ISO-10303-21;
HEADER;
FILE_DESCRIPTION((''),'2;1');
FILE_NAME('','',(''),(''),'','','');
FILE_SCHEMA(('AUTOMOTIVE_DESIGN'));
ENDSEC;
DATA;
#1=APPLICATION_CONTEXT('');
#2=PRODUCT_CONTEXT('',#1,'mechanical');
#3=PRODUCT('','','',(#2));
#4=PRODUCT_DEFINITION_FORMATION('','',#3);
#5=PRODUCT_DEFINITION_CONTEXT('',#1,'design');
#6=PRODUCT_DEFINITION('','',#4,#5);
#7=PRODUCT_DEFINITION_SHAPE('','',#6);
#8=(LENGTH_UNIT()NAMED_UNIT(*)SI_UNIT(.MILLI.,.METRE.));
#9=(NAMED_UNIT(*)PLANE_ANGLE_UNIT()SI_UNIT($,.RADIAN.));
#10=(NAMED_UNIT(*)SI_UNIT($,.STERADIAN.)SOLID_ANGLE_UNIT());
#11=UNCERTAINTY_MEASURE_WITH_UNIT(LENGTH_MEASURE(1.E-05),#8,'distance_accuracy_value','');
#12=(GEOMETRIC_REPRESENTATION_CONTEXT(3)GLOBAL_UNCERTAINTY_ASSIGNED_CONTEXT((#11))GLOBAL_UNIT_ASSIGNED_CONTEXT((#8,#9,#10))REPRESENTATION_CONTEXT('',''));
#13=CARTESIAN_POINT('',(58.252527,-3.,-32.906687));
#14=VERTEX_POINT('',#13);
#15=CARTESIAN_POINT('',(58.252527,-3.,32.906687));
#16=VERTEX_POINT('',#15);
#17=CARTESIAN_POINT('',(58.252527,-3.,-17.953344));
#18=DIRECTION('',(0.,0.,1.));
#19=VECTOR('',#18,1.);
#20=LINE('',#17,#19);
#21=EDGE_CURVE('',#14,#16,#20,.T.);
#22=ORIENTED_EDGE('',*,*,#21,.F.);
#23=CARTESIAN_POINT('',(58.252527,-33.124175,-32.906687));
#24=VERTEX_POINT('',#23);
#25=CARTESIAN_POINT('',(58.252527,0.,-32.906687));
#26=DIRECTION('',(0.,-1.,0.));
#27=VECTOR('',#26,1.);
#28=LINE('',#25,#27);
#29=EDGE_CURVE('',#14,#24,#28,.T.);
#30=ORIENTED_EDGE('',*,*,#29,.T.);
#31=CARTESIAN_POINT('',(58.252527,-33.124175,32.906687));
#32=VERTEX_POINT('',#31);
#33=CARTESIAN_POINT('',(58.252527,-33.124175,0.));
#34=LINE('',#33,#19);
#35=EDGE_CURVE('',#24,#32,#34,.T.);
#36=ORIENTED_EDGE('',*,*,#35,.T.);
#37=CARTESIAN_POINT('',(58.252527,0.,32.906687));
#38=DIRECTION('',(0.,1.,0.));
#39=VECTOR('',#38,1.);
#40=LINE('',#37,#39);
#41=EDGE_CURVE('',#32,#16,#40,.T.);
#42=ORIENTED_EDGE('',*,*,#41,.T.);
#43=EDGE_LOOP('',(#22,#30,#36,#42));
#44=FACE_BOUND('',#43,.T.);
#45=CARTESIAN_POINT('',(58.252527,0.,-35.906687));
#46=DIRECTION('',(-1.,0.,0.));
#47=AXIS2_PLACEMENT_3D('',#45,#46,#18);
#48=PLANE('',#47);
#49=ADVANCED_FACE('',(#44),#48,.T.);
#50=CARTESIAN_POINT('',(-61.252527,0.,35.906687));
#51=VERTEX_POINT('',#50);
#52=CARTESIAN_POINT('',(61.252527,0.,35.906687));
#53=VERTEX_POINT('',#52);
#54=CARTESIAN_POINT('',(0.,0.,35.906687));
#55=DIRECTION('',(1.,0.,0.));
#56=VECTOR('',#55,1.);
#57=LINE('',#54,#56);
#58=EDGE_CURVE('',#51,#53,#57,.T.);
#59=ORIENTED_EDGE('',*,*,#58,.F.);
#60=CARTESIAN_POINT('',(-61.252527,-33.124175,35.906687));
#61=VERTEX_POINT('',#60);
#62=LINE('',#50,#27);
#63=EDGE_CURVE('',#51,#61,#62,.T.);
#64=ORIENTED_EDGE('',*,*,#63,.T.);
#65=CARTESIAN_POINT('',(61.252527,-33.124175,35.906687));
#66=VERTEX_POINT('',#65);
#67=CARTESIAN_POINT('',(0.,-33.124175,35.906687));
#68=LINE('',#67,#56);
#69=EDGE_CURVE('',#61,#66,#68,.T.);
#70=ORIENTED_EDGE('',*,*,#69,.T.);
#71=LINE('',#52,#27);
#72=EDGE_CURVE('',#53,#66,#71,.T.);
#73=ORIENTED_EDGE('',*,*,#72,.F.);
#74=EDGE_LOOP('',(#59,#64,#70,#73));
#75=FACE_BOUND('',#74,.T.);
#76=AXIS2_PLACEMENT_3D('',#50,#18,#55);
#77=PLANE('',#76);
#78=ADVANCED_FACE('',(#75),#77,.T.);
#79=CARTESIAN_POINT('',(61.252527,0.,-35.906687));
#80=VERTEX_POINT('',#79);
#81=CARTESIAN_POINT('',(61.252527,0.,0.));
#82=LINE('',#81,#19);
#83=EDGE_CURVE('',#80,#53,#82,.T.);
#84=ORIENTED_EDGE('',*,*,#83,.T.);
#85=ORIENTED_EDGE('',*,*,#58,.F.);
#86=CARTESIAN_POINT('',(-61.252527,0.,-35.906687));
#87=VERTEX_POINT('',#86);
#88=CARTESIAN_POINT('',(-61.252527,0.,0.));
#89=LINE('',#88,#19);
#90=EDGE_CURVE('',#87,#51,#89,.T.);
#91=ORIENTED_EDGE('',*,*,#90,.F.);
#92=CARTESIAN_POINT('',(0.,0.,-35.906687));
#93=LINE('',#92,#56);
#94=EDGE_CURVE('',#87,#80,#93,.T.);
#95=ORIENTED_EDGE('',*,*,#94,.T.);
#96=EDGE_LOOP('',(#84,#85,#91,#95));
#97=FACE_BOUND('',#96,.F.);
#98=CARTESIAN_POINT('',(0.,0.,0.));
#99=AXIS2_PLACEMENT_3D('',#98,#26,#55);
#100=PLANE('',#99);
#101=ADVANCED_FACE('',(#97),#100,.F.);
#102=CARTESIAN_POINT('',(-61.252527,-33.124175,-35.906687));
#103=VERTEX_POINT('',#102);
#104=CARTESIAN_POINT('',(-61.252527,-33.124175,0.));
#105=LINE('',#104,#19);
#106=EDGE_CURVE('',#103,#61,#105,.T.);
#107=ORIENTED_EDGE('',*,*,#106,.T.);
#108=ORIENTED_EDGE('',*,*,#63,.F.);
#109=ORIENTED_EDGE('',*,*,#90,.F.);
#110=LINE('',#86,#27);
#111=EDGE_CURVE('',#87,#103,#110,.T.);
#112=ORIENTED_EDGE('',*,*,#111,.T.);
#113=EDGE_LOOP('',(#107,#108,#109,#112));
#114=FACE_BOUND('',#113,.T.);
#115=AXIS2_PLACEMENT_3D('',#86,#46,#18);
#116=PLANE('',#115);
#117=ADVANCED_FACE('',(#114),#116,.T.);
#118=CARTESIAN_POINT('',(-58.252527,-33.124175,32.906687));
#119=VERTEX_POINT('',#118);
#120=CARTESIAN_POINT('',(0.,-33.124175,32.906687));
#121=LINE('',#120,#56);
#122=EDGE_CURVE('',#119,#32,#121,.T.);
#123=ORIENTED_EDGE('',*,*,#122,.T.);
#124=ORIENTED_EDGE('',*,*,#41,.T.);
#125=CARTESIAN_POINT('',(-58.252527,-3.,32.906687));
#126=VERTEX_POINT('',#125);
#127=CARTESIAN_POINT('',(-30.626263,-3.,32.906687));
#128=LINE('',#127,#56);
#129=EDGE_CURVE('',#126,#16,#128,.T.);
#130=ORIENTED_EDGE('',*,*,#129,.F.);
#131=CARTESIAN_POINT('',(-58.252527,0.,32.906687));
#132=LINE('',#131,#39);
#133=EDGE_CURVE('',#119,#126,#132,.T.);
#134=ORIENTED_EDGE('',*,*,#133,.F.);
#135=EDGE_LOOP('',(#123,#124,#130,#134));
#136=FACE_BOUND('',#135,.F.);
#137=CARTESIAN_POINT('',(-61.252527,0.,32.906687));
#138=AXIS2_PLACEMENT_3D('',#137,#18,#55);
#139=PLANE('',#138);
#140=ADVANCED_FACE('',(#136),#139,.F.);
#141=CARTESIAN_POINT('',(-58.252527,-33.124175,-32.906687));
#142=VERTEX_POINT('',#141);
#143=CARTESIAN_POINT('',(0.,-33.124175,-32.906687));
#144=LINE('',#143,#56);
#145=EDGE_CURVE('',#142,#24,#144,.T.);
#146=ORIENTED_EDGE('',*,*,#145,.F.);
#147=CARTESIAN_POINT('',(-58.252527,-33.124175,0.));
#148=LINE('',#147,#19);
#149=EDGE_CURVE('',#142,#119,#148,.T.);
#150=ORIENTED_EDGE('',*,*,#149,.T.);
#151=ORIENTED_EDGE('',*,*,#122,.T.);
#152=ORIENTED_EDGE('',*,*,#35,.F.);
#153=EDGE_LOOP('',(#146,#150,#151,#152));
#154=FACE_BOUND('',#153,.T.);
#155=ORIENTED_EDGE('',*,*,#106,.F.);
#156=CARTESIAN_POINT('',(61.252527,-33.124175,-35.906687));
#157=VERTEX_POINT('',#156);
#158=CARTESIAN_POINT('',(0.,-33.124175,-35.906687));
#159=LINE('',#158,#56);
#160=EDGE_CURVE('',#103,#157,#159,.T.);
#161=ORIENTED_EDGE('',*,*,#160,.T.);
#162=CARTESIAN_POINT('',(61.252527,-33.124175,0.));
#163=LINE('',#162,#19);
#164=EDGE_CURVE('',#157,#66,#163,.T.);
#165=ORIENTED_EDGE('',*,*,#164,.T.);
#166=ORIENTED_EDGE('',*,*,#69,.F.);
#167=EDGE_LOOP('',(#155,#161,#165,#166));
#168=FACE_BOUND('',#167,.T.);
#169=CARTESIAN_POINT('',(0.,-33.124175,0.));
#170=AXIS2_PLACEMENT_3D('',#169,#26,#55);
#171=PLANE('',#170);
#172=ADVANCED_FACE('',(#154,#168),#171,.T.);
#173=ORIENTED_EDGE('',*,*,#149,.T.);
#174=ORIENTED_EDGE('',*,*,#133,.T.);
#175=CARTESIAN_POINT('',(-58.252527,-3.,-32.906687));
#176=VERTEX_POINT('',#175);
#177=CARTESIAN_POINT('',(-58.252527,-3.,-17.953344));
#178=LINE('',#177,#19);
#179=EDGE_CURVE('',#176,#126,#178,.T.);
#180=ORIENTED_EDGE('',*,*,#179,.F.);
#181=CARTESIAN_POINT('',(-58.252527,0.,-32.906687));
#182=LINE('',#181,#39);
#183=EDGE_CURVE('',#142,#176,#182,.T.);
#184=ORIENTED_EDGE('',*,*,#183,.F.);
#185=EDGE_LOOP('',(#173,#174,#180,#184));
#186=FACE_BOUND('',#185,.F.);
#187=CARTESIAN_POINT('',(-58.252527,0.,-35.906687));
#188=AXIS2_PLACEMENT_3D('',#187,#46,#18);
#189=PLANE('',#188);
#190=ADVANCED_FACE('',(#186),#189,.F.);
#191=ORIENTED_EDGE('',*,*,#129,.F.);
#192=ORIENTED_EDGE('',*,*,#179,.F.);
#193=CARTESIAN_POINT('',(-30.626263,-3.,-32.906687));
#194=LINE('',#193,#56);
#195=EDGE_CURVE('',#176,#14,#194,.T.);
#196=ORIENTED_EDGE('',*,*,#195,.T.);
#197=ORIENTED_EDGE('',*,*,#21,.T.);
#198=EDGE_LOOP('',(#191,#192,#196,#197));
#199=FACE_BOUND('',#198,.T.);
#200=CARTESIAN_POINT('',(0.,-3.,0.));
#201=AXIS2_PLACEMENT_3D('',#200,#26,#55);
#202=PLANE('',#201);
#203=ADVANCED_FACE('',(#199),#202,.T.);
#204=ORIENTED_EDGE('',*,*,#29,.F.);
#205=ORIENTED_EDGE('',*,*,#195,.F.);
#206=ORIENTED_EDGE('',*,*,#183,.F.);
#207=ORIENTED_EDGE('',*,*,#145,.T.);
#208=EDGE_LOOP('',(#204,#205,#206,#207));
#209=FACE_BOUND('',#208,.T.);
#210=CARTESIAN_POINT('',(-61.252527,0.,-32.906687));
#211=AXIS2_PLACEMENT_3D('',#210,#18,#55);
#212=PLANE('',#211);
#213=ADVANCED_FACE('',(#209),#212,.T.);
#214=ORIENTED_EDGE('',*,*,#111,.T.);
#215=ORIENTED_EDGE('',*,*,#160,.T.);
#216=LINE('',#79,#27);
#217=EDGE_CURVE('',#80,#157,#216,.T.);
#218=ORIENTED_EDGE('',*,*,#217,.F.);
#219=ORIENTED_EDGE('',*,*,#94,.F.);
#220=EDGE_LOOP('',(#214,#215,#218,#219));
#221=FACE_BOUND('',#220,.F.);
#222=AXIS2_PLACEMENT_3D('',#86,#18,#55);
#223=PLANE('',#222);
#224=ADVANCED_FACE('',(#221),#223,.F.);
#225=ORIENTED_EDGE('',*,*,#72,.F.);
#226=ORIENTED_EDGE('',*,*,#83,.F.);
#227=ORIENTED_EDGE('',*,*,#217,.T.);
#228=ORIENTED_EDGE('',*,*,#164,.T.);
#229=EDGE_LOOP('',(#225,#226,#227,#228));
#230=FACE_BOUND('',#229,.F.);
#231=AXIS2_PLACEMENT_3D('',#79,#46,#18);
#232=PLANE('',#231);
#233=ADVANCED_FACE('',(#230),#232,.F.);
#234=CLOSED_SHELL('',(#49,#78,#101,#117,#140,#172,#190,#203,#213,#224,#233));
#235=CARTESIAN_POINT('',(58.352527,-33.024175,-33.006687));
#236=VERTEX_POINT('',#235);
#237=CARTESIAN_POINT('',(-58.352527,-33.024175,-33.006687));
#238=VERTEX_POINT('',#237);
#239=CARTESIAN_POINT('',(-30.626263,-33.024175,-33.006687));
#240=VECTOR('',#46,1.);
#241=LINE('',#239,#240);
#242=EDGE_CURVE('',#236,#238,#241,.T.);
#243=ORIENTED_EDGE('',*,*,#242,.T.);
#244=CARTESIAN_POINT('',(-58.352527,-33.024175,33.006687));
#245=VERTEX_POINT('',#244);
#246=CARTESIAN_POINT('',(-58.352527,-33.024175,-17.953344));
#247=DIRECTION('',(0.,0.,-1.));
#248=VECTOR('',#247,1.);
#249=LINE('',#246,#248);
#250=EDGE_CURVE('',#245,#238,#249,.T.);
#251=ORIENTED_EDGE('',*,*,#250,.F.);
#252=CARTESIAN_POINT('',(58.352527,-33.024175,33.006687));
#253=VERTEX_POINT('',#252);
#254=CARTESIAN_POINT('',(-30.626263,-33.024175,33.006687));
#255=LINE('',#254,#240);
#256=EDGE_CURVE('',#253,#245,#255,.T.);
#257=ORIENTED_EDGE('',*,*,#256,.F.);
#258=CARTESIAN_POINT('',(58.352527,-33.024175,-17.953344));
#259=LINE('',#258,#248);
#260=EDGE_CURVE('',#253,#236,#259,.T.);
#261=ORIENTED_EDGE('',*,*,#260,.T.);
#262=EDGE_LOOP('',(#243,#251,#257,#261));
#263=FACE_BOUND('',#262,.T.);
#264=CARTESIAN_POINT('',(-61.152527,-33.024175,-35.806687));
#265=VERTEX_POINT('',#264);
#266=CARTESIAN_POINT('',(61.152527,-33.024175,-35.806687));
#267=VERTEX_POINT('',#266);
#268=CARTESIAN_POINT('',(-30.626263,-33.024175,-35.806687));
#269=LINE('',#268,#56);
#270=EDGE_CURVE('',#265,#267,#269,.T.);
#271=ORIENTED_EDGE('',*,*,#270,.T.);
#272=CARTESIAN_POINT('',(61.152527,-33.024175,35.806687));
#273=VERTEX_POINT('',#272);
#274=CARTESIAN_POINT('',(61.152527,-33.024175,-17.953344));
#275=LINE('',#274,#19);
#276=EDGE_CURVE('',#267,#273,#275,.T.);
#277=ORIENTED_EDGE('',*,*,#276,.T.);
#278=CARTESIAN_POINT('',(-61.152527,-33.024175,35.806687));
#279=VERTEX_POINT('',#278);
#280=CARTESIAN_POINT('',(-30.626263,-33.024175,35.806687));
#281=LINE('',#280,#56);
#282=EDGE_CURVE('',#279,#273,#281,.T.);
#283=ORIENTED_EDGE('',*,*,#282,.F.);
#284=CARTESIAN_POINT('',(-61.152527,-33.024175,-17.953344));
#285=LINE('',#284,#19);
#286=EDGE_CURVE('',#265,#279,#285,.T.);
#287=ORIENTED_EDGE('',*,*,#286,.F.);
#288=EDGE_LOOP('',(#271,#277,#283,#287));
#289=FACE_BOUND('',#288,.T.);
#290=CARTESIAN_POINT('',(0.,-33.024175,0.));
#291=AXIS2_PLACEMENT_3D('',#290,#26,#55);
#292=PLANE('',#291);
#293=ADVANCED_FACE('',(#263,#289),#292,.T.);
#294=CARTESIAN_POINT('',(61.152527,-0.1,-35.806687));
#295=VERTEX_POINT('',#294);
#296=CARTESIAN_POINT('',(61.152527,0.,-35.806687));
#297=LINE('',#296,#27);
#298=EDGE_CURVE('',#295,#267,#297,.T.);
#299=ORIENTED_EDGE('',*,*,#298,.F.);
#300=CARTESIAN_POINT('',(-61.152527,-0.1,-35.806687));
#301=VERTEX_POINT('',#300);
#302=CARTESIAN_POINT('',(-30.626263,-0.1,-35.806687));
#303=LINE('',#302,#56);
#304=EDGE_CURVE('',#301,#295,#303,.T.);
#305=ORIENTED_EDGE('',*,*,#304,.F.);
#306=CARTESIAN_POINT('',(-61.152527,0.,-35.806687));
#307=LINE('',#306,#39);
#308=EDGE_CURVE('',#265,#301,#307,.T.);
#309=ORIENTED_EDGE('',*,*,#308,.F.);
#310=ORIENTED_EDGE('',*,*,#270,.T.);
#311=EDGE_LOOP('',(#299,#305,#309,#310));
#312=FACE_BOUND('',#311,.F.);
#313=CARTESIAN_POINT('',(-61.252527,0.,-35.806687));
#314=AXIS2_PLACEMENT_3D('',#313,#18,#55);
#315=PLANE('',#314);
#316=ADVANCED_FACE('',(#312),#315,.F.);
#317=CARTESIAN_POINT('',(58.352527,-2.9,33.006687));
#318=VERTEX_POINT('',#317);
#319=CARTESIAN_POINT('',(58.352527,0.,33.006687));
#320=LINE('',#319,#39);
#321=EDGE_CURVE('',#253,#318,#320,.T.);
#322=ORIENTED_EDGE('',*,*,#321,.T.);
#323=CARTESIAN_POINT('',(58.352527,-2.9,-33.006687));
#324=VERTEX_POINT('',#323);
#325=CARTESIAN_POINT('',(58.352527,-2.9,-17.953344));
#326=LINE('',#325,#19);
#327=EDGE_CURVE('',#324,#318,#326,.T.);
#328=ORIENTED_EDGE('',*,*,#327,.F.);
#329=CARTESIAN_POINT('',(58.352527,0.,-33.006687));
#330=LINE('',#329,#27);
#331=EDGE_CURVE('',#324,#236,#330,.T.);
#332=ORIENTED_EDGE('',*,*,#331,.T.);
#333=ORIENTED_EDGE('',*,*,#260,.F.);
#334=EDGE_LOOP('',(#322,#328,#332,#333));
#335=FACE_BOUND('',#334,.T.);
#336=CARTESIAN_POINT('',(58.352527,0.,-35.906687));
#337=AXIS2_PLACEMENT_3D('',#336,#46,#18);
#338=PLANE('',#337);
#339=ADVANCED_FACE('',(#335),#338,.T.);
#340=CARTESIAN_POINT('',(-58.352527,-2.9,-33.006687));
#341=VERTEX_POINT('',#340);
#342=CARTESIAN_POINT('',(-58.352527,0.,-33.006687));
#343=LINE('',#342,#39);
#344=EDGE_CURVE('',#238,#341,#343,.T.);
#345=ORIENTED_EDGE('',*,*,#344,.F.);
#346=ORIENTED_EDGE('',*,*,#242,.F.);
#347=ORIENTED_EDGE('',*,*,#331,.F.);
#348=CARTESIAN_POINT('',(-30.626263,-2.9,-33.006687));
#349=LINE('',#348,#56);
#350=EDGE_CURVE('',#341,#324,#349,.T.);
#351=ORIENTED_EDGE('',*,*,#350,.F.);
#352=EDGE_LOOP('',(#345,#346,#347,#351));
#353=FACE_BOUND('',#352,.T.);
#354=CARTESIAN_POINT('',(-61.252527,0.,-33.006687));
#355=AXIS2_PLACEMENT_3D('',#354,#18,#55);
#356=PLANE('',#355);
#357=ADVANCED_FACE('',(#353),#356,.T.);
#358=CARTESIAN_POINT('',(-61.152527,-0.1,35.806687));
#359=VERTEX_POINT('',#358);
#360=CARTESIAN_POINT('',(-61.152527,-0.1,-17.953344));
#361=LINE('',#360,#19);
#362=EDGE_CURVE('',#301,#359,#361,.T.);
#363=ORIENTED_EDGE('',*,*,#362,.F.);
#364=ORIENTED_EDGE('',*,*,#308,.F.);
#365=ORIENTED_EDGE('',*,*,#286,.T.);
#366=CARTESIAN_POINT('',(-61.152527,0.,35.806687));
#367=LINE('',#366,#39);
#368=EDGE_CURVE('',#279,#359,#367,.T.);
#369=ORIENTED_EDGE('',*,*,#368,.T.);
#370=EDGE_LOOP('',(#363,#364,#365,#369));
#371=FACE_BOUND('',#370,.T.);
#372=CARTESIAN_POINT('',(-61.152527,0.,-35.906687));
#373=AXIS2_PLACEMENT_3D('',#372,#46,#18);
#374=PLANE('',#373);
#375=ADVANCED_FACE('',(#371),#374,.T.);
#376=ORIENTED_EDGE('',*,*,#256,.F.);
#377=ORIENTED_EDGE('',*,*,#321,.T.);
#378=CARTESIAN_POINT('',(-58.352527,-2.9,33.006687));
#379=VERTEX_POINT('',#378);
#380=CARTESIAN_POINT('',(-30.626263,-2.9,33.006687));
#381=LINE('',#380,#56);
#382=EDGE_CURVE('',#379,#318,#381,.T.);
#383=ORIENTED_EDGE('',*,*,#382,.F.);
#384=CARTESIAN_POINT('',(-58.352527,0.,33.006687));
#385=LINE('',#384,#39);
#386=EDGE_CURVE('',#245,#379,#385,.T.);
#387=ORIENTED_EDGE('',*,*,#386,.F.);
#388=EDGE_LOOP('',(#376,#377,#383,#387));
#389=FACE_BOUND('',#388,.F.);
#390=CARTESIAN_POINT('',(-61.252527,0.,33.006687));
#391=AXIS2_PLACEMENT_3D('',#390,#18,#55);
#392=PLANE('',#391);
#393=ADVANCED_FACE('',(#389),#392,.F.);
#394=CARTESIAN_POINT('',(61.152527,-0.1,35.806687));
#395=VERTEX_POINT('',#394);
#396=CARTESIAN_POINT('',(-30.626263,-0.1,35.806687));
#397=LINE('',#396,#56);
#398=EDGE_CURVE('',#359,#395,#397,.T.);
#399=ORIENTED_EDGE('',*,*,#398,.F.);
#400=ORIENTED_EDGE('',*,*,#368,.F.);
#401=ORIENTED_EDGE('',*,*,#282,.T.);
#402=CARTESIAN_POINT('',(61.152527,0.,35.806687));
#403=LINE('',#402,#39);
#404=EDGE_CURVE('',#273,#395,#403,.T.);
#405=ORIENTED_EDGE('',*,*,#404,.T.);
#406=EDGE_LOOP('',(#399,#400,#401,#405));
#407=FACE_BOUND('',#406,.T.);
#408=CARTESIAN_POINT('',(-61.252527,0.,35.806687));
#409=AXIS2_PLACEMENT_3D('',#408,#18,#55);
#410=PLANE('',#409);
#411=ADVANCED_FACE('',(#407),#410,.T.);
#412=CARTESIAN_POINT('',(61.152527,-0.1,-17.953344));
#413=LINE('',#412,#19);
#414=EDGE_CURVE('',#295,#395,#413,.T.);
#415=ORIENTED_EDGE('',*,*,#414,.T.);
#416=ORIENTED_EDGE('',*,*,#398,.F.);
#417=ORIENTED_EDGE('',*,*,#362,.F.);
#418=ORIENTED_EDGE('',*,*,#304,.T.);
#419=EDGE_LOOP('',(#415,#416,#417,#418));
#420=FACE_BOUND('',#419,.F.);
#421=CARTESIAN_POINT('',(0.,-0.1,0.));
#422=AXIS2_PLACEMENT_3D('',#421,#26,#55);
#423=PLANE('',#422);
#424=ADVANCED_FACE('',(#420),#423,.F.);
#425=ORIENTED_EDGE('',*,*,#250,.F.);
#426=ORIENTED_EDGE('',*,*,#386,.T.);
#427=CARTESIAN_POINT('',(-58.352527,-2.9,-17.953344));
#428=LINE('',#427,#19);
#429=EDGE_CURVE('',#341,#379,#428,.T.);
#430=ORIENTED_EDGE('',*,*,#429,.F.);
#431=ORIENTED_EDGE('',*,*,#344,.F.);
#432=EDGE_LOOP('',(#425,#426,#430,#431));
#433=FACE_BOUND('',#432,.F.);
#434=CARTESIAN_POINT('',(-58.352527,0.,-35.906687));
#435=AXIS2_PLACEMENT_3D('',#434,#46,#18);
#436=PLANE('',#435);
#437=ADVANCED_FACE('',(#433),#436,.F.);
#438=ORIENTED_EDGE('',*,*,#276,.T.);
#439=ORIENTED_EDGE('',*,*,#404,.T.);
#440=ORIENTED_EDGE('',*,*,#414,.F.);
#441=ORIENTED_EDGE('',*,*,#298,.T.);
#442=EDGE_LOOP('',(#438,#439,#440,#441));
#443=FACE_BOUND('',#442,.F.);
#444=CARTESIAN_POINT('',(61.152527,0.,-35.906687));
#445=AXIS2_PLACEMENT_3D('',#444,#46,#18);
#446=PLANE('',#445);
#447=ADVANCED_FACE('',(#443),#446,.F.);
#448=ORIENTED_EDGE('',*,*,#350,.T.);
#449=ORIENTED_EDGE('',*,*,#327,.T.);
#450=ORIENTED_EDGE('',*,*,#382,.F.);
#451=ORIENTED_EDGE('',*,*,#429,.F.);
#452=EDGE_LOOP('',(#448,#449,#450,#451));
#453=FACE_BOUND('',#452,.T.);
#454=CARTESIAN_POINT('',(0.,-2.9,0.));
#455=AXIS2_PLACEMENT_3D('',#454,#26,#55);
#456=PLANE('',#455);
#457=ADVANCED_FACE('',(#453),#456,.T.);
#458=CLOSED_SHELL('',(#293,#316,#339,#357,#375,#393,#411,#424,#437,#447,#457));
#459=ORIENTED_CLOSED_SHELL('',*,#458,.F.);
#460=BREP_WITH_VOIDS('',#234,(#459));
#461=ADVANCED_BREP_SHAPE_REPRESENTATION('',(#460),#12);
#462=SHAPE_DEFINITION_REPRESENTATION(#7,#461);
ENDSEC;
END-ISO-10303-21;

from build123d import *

# Parameters (mm, degrees)
F0_W     = 122.5050538778
F0_H     = 71.8133747578
F1_DEPTH = 33.1241749227
F2_T     = -3
F3_T     = -0.1


with BuildPart() as f1:
    # F0 (on Front) → F1 (new body)
    with BuildSketch(Plane.XZ):
        Rectangle(F0_W, F0_H)
    extrude(amount=F1_DEPTH)

    # F2
    f2_openings = [f1.faces().sort_by_distance(p)[0] for p in [
        (0, -33.124175, 0),
    ]]
    offset(amount=F2_T, openings=f2_openings)

    # F3 (hollow: no face is removed)
    offset(amount=F3_T, kind=Kind.INTERSECTION, mode=Mode.SUBTRACT)


solid = f1.part
